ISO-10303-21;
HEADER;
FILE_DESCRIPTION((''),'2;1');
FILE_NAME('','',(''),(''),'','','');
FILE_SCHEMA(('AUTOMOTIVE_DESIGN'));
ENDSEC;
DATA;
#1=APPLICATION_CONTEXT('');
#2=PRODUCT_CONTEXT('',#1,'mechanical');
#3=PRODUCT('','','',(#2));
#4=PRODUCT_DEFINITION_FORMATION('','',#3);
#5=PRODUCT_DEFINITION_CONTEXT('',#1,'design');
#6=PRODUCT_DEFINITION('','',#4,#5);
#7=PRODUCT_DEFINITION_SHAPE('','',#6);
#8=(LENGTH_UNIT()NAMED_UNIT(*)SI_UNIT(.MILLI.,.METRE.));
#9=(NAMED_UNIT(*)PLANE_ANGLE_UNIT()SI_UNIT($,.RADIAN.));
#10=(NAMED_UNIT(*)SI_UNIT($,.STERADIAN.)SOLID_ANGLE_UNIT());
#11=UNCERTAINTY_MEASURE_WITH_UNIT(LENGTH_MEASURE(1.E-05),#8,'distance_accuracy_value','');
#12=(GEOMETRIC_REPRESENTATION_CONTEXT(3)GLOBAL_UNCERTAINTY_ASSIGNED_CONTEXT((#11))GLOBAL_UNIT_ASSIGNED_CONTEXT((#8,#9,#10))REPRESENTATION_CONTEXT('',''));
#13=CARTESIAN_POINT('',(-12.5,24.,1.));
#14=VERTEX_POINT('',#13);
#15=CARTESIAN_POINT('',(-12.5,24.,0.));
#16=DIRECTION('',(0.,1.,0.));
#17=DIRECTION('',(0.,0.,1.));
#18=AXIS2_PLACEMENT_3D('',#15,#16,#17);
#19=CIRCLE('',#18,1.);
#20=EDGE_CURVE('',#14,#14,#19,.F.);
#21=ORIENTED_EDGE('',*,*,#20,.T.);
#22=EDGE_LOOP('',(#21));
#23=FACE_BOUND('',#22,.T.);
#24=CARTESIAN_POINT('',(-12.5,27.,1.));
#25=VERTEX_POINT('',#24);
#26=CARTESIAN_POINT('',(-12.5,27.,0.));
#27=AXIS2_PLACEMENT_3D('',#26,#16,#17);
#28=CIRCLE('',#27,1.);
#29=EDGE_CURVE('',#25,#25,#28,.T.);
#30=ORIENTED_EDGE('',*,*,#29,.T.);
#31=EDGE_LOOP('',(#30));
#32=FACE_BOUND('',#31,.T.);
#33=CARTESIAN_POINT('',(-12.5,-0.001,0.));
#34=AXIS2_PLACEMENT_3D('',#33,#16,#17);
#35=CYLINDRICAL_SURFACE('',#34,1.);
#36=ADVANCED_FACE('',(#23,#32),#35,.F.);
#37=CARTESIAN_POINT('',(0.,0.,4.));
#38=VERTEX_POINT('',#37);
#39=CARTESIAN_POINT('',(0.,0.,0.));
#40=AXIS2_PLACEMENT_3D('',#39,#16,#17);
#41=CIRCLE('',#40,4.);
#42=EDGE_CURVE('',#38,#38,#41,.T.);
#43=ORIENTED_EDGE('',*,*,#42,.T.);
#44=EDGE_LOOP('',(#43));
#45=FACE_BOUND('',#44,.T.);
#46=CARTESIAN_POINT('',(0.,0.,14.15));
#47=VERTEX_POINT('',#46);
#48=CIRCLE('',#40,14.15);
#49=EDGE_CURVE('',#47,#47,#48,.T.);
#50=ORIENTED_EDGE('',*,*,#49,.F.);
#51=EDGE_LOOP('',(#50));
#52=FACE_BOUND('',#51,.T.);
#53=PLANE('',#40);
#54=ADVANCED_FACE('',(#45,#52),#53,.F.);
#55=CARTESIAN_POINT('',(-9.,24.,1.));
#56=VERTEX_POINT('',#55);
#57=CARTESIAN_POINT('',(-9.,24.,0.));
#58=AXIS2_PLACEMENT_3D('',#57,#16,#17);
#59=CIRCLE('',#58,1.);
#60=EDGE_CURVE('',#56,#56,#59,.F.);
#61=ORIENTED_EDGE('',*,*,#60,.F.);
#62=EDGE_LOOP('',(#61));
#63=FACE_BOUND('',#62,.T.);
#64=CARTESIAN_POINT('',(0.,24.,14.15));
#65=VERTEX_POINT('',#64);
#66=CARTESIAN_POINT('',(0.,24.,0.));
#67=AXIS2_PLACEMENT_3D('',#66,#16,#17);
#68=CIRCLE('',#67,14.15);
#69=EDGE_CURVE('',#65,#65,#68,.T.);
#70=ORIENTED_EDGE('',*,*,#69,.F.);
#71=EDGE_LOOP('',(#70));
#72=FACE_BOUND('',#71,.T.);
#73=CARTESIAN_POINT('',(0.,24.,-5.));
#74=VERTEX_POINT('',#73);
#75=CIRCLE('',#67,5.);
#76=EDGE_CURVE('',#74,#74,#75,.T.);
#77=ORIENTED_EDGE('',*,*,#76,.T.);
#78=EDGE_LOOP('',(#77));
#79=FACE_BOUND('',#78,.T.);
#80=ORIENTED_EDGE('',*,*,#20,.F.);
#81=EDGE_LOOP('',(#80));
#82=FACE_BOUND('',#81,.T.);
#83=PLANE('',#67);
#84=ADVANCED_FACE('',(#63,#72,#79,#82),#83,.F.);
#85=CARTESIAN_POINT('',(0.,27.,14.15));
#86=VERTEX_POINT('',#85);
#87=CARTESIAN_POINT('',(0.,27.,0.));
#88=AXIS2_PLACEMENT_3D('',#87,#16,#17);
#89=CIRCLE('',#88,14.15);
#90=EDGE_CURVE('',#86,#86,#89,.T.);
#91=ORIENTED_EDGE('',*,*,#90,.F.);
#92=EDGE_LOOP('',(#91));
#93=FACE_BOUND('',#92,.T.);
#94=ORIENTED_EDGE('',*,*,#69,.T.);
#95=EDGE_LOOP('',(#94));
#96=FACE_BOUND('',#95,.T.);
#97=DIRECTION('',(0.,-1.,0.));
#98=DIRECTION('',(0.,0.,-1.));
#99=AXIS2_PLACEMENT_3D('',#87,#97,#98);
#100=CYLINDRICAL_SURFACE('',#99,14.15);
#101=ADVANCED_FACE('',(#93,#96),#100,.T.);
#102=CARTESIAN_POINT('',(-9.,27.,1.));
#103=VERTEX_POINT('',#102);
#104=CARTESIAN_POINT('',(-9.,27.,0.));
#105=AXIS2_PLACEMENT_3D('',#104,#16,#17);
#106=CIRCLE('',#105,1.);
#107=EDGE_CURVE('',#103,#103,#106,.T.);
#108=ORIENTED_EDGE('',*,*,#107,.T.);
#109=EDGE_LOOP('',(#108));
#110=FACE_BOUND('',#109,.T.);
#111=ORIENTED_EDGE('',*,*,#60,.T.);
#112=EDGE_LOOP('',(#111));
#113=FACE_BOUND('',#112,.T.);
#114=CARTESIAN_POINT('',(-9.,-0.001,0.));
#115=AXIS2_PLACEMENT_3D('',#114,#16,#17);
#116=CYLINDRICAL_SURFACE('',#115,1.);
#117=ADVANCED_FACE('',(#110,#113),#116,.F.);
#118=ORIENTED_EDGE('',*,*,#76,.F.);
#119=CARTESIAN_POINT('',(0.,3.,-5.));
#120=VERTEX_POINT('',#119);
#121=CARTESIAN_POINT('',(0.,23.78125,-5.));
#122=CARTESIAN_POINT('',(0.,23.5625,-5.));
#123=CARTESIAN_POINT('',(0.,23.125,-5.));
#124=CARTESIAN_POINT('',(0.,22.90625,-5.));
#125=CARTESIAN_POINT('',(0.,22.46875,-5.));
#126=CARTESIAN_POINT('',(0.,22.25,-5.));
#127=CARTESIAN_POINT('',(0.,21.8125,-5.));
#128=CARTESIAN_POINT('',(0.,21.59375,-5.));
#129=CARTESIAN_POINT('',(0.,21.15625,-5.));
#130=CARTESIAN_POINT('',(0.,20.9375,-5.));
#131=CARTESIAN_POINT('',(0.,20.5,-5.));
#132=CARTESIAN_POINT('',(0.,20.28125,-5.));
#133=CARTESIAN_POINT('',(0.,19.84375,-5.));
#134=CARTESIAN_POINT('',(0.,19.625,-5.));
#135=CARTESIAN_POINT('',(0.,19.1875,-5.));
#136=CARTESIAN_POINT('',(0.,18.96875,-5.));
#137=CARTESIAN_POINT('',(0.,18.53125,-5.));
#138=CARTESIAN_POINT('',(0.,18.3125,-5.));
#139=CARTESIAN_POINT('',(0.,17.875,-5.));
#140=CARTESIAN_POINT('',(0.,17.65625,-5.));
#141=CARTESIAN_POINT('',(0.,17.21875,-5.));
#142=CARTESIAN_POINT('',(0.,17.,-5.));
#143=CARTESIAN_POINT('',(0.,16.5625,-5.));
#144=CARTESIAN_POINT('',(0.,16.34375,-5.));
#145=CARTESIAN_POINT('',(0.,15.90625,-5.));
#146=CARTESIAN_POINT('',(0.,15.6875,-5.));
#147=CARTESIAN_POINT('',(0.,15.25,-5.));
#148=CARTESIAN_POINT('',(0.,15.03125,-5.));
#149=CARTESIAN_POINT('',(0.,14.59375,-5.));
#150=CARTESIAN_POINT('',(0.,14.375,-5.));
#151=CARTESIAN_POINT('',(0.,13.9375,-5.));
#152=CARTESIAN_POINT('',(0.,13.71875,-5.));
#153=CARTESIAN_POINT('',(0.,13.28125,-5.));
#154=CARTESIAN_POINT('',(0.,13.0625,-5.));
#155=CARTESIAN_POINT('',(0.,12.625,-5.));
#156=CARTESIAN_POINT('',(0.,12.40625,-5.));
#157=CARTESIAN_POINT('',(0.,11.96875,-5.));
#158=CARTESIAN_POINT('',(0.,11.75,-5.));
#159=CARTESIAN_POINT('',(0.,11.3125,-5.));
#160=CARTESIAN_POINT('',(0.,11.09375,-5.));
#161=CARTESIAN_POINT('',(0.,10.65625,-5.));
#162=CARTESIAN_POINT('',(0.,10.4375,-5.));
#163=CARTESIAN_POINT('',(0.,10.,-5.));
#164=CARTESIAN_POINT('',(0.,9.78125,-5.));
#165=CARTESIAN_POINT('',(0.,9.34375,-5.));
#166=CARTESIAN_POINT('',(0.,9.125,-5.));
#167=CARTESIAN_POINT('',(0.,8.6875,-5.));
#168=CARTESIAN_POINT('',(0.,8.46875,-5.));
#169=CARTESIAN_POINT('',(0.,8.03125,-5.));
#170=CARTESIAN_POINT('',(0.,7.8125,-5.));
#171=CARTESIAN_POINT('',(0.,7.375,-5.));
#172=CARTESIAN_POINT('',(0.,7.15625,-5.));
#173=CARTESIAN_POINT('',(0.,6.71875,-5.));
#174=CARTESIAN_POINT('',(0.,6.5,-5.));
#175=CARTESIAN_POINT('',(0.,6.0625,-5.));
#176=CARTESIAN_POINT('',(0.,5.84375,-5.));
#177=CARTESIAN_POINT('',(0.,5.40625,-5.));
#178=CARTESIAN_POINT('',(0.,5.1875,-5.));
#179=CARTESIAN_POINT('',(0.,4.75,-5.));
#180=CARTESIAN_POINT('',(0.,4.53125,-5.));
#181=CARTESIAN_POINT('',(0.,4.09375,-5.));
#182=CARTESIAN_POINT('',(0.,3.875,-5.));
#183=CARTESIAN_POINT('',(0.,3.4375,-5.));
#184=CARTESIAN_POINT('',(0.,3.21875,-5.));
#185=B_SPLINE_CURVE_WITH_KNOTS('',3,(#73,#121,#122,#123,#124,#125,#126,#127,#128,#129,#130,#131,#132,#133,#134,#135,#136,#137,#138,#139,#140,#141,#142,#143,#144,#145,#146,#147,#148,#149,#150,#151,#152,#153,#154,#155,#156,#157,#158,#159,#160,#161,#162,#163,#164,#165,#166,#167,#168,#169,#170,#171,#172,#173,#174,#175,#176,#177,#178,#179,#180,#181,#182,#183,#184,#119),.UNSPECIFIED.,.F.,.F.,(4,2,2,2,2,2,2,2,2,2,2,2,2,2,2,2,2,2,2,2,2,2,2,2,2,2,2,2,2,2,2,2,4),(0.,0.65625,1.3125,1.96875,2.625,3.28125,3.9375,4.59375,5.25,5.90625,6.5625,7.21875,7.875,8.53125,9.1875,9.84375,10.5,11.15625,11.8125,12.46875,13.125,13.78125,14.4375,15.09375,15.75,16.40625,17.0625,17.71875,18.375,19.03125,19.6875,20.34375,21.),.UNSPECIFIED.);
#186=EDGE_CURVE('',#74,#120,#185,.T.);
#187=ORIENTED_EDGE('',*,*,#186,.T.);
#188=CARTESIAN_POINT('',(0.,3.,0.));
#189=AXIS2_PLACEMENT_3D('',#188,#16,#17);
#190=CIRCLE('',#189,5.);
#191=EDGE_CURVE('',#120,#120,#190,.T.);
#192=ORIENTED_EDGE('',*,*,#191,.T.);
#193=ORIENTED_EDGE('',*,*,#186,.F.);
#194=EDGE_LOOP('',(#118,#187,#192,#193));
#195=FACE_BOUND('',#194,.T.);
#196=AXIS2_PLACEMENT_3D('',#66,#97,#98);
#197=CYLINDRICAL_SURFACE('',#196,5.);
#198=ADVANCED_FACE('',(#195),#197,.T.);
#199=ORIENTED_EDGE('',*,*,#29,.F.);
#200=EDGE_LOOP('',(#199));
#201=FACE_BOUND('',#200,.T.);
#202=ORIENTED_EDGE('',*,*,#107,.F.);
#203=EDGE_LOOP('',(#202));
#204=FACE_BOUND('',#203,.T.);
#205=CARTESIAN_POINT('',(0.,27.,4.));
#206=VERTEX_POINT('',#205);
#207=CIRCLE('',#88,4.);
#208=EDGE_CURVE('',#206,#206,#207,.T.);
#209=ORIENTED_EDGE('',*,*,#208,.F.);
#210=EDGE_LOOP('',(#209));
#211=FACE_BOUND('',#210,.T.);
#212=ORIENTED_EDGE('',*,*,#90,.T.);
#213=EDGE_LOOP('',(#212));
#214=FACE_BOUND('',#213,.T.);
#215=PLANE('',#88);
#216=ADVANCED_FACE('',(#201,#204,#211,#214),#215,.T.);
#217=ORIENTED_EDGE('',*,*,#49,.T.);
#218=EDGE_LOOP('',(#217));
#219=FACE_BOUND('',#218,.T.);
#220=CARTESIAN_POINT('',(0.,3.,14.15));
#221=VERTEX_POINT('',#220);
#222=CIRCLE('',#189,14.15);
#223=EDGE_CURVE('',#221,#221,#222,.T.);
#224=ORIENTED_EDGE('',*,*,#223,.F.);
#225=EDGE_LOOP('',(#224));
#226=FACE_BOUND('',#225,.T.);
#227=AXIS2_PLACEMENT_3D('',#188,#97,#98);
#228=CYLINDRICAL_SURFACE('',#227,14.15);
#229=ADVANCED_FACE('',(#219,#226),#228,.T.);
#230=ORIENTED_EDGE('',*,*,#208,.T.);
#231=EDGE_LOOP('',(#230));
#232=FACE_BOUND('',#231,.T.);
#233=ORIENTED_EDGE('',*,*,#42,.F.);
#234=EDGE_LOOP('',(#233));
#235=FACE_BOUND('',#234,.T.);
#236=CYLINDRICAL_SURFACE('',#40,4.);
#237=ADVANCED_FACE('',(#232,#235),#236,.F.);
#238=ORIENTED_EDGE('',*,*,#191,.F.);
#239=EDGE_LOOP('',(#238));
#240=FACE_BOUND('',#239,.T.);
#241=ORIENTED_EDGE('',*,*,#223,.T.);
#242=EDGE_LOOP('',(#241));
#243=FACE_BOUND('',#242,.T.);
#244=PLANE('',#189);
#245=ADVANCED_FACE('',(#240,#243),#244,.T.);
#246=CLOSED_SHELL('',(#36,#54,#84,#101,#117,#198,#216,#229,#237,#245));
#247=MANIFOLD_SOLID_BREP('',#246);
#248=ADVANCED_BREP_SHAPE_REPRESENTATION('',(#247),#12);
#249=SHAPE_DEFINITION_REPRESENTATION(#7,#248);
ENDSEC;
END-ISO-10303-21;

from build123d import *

# Parameters (mm, degrees)
SKETCH1_R           = 14.15
BOSS_EXTRUDE1_DEPTH = 3
SKETCH2_R           = 5
BOSS_EXTRUDE2_DEPTH = 21
SKETCH3_R           = 14.15
BOSS_EXTRUDE3_DEPTH = 3
SKETCH4_R           = 4
CUT_EXTRUDE1_DEPTH  = 34.607216487
CUT_EXTRUDE2_REACH  = 35.607
SKETCH5_R           = 1


with BuildPart() as part:
    # Sketch1 → Boss-Extrude1 (new body)
    with BuildSketch(Plane(origin=(0, 0, 0), x_dir=(1, 0, 0), z_dir=(0, 1, 0))):
        with Locations(Location((0, 0, 0), (0, 0, 270))):
            Circle(SKETCH1_R)
    extrude(amount=BOSS_EXTRUDE1_DEPTH)

    # Sketch2 → Boss-Extrude2 (add)
    with BuildSketch(Plane(origin=(0, 3, 0), x_dir=(1, 0, 0), z_dir=(0, 1, 0))):
        with Locations(Location((0, 0, 0), (0, 0, 90))):
            Circle(SKETCH2_R)
    extrude(amount=BOSS_EXTRUDE2_DEPTH)

    # Sketch3 → Boss-Extrude3 (add)
    with BuildSketch(Plane(origin=(0, 24, 0), x_dir=(1, 0, 0), z_dir=(0, 1, 0))):
        with Locations(Location((0, 0, 0), (0, 0, 270))):
            Circle(SKETCH3_R)
    extrude(amount=BOSS_EXTRUDE3_DEPTH)

    # Sketch4 → Cut-Extrude1 (cut, through all)
    with BuildSketch(Plane(origin=(0, 27, 0), x_dir=(1, 0, 0), z_dir=(0, 1, 0))):
        with Locations(Location((0, 0, 0), (0, 0, 270))):
            Circle(SKETCH4_R)
    extrude(amount=-CUT_EXTRUDE1_DEPTH, mode=Mode.SUBTRACT)

    # Sketch5 → Cut-Extrude2 (cut, up to next)
    with BuildSketch(Plane(origin=(0, 27, 0), x_dir=(1, 0, 0), z_dir=(0, 1, 0)), mode=Mode.PRIVATE) as cut_extrude2_sk1:
        with Locations(Location((-9, 0, 0), (0, 0, 270))):
            Circle(SKETCH5_R)
    cut_extrude2_tool1 = extrude(cut_extrude2_sk1.sketch, amount=-CUT_EXTRUDE2_REACH, mode=Mode.PRIVATE) & part.part
    # Sketch5 → Cut-Extrude2 (cut, up to next)
    with BuildSketch(Plane(origin=(0, 27, 0), x_dir=(1, 0, 0), z_dir=(0, 1, 0)), mode=Mode.PRIVATE) as cut_extrude2_sk2:
        with Locations(Location((-12.5, 0, 0), (0, 0, 270))):
            Circle(SKETCH5_R)
    cut_extrude2_tool2 = extrude(cut_extrude2_sk2.sketch, amount=-CUT_EXTRUDE2_REACH, mode=Mode.PRIVATE) & part.part
    add(cut_extrude2_tool1.solids().sort_by_distance((-9, 27, 0))[0], mode=Mode.SUBTRACT)
    add(cut_extrude2_tool2.solids().sort_by_distance((-12.5, 27, 0))[0], mode=Mode.SUBTRACT)


solid = part.part
